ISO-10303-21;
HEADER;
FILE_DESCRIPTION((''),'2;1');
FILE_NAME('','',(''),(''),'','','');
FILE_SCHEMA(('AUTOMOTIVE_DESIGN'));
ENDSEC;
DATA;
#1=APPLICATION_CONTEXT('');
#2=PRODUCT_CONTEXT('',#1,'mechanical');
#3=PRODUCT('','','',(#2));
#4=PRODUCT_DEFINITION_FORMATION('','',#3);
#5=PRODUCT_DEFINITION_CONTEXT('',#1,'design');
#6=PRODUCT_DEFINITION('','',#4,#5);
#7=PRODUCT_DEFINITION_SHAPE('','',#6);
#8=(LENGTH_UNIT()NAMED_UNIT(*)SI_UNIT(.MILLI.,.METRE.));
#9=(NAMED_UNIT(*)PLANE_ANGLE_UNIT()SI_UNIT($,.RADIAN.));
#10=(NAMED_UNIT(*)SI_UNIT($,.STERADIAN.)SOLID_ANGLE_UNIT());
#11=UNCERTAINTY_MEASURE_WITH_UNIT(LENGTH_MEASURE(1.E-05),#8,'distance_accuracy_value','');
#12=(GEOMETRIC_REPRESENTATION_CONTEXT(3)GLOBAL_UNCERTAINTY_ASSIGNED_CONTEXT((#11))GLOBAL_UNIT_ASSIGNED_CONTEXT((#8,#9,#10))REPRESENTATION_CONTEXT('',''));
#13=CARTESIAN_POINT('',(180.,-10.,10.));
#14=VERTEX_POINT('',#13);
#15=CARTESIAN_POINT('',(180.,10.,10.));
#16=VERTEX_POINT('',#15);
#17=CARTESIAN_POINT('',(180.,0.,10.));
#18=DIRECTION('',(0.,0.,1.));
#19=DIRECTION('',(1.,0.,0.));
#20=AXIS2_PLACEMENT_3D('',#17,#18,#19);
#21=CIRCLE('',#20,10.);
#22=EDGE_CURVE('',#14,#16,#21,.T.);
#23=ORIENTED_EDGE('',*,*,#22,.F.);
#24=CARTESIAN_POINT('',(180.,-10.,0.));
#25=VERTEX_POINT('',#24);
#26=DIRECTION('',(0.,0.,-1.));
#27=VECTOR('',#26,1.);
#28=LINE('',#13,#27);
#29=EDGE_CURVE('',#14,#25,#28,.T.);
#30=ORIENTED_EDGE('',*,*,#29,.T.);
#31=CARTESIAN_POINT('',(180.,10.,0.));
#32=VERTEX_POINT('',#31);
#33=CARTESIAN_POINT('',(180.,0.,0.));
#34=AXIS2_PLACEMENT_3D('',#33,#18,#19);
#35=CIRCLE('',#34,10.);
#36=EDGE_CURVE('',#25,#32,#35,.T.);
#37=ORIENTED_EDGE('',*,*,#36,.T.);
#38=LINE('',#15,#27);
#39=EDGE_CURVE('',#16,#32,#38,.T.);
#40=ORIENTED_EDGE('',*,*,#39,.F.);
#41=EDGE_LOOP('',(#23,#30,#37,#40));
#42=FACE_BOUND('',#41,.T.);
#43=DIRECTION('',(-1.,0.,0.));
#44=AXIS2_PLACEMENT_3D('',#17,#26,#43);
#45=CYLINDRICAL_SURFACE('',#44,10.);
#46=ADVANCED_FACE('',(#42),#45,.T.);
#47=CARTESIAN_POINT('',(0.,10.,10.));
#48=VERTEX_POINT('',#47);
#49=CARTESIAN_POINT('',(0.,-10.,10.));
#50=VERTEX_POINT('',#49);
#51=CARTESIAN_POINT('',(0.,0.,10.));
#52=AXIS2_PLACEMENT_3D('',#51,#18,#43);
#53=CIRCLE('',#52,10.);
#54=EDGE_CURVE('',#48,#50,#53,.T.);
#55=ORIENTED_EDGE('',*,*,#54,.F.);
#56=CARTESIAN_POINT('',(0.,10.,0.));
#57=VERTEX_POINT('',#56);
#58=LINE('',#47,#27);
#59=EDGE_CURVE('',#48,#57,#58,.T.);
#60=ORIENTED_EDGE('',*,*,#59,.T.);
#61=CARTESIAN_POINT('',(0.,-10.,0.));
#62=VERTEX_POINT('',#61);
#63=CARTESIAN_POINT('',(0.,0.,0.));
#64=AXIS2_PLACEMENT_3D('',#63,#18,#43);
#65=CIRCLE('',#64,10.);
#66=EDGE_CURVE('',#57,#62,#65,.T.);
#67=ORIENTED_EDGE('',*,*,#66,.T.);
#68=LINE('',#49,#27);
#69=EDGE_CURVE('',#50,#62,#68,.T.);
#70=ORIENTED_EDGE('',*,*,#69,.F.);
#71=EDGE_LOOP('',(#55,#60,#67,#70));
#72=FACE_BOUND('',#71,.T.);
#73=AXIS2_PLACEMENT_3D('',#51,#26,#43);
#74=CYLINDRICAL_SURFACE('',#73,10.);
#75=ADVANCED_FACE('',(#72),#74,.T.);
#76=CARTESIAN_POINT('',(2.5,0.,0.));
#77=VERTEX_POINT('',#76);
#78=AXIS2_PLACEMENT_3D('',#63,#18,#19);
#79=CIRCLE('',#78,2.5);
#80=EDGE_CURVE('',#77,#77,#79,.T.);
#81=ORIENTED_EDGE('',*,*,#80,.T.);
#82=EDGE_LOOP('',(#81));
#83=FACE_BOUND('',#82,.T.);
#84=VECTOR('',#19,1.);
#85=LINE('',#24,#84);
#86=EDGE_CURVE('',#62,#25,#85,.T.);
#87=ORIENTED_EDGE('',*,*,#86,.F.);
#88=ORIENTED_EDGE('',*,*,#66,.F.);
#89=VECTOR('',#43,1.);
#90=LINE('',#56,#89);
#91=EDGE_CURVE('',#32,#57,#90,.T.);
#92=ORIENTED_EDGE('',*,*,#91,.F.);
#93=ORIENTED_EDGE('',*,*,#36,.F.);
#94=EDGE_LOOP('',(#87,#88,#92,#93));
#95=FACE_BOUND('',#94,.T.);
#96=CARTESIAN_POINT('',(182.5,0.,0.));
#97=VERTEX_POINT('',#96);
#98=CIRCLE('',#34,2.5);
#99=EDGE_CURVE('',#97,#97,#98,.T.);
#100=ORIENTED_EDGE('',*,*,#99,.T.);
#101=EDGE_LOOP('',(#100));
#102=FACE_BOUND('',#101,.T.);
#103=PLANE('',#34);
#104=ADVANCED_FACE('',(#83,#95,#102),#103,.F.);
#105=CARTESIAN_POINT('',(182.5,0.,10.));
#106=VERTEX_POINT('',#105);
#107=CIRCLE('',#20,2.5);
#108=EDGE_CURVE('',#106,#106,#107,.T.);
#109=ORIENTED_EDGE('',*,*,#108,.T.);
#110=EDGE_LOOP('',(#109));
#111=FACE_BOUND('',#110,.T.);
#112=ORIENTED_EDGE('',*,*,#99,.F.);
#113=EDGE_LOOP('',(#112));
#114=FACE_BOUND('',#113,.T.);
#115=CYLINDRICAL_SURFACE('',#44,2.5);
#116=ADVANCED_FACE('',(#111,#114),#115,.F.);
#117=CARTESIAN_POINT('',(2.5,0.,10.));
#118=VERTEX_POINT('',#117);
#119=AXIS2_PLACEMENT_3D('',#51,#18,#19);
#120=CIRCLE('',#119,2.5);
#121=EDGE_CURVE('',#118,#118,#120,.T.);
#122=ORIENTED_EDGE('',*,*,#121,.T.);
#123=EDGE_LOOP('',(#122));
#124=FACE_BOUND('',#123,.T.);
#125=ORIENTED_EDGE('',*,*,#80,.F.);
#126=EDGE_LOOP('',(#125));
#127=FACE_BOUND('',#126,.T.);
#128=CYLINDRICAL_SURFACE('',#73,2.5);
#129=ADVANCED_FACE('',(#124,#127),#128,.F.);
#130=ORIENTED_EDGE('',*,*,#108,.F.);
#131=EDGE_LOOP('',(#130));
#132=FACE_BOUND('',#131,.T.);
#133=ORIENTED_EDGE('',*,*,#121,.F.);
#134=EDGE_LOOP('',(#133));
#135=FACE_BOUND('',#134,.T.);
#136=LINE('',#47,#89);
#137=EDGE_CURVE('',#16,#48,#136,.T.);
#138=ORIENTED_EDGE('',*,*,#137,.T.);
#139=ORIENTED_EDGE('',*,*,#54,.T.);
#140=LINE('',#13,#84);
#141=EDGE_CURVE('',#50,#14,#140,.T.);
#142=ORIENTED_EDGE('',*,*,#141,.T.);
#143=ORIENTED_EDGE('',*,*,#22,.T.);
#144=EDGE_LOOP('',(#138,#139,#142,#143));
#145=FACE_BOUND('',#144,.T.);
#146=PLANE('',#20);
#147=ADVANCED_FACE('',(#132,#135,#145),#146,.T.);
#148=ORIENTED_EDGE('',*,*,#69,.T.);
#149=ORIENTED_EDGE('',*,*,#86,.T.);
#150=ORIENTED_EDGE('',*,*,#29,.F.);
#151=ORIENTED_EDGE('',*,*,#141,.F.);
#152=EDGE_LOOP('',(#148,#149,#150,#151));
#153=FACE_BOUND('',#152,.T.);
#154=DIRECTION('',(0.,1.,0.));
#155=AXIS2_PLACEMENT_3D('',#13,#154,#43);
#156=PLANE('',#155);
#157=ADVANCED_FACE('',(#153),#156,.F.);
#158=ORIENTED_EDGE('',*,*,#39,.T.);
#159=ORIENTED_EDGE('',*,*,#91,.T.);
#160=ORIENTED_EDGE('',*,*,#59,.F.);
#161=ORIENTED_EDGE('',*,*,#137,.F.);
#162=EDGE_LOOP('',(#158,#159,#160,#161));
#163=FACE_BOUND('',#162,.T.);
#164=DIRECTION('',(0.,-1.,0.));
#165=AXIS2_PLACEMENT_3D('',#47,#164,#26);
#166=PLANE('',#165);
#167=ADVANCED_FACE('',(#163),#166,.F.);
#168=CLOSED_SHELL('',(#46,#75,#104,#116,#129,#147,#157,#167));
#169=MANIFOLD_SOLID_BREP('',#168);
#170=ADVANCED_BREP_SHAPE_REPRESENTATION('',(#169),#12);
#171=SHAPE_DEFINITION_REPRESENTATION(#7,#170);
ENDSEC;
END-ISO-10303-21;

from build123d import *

# Parameters (mm, degrees)
SKETCH1_R           = 2.5
BOSS_EXTRUDE1_DEPTH = 10


with BuildPart() as part:
    # Sketch1 → Boss-Extrude1 (new body)
    with BuildSketch(Plane.XY):
        with BuildLine():
            Line((0, 10), (180, 10))
            ThreePointArc((180, 10), (190, 0), (180, -10))
            Line((180, -10), (0, -10))
            ThreePointArc((0, -10), (-10, 0), (0, 10))
        make_face()
        Circle(SKETCH1_R, mode=Mode.SUBTRACT)
        with Locations((180, 0)):
            Circle(SKETCH1_R, mode=Mode.SUBTRACT)
    extrude(amount=BOSS_EXTRUDE1_DEPTH)


solid = part.part
